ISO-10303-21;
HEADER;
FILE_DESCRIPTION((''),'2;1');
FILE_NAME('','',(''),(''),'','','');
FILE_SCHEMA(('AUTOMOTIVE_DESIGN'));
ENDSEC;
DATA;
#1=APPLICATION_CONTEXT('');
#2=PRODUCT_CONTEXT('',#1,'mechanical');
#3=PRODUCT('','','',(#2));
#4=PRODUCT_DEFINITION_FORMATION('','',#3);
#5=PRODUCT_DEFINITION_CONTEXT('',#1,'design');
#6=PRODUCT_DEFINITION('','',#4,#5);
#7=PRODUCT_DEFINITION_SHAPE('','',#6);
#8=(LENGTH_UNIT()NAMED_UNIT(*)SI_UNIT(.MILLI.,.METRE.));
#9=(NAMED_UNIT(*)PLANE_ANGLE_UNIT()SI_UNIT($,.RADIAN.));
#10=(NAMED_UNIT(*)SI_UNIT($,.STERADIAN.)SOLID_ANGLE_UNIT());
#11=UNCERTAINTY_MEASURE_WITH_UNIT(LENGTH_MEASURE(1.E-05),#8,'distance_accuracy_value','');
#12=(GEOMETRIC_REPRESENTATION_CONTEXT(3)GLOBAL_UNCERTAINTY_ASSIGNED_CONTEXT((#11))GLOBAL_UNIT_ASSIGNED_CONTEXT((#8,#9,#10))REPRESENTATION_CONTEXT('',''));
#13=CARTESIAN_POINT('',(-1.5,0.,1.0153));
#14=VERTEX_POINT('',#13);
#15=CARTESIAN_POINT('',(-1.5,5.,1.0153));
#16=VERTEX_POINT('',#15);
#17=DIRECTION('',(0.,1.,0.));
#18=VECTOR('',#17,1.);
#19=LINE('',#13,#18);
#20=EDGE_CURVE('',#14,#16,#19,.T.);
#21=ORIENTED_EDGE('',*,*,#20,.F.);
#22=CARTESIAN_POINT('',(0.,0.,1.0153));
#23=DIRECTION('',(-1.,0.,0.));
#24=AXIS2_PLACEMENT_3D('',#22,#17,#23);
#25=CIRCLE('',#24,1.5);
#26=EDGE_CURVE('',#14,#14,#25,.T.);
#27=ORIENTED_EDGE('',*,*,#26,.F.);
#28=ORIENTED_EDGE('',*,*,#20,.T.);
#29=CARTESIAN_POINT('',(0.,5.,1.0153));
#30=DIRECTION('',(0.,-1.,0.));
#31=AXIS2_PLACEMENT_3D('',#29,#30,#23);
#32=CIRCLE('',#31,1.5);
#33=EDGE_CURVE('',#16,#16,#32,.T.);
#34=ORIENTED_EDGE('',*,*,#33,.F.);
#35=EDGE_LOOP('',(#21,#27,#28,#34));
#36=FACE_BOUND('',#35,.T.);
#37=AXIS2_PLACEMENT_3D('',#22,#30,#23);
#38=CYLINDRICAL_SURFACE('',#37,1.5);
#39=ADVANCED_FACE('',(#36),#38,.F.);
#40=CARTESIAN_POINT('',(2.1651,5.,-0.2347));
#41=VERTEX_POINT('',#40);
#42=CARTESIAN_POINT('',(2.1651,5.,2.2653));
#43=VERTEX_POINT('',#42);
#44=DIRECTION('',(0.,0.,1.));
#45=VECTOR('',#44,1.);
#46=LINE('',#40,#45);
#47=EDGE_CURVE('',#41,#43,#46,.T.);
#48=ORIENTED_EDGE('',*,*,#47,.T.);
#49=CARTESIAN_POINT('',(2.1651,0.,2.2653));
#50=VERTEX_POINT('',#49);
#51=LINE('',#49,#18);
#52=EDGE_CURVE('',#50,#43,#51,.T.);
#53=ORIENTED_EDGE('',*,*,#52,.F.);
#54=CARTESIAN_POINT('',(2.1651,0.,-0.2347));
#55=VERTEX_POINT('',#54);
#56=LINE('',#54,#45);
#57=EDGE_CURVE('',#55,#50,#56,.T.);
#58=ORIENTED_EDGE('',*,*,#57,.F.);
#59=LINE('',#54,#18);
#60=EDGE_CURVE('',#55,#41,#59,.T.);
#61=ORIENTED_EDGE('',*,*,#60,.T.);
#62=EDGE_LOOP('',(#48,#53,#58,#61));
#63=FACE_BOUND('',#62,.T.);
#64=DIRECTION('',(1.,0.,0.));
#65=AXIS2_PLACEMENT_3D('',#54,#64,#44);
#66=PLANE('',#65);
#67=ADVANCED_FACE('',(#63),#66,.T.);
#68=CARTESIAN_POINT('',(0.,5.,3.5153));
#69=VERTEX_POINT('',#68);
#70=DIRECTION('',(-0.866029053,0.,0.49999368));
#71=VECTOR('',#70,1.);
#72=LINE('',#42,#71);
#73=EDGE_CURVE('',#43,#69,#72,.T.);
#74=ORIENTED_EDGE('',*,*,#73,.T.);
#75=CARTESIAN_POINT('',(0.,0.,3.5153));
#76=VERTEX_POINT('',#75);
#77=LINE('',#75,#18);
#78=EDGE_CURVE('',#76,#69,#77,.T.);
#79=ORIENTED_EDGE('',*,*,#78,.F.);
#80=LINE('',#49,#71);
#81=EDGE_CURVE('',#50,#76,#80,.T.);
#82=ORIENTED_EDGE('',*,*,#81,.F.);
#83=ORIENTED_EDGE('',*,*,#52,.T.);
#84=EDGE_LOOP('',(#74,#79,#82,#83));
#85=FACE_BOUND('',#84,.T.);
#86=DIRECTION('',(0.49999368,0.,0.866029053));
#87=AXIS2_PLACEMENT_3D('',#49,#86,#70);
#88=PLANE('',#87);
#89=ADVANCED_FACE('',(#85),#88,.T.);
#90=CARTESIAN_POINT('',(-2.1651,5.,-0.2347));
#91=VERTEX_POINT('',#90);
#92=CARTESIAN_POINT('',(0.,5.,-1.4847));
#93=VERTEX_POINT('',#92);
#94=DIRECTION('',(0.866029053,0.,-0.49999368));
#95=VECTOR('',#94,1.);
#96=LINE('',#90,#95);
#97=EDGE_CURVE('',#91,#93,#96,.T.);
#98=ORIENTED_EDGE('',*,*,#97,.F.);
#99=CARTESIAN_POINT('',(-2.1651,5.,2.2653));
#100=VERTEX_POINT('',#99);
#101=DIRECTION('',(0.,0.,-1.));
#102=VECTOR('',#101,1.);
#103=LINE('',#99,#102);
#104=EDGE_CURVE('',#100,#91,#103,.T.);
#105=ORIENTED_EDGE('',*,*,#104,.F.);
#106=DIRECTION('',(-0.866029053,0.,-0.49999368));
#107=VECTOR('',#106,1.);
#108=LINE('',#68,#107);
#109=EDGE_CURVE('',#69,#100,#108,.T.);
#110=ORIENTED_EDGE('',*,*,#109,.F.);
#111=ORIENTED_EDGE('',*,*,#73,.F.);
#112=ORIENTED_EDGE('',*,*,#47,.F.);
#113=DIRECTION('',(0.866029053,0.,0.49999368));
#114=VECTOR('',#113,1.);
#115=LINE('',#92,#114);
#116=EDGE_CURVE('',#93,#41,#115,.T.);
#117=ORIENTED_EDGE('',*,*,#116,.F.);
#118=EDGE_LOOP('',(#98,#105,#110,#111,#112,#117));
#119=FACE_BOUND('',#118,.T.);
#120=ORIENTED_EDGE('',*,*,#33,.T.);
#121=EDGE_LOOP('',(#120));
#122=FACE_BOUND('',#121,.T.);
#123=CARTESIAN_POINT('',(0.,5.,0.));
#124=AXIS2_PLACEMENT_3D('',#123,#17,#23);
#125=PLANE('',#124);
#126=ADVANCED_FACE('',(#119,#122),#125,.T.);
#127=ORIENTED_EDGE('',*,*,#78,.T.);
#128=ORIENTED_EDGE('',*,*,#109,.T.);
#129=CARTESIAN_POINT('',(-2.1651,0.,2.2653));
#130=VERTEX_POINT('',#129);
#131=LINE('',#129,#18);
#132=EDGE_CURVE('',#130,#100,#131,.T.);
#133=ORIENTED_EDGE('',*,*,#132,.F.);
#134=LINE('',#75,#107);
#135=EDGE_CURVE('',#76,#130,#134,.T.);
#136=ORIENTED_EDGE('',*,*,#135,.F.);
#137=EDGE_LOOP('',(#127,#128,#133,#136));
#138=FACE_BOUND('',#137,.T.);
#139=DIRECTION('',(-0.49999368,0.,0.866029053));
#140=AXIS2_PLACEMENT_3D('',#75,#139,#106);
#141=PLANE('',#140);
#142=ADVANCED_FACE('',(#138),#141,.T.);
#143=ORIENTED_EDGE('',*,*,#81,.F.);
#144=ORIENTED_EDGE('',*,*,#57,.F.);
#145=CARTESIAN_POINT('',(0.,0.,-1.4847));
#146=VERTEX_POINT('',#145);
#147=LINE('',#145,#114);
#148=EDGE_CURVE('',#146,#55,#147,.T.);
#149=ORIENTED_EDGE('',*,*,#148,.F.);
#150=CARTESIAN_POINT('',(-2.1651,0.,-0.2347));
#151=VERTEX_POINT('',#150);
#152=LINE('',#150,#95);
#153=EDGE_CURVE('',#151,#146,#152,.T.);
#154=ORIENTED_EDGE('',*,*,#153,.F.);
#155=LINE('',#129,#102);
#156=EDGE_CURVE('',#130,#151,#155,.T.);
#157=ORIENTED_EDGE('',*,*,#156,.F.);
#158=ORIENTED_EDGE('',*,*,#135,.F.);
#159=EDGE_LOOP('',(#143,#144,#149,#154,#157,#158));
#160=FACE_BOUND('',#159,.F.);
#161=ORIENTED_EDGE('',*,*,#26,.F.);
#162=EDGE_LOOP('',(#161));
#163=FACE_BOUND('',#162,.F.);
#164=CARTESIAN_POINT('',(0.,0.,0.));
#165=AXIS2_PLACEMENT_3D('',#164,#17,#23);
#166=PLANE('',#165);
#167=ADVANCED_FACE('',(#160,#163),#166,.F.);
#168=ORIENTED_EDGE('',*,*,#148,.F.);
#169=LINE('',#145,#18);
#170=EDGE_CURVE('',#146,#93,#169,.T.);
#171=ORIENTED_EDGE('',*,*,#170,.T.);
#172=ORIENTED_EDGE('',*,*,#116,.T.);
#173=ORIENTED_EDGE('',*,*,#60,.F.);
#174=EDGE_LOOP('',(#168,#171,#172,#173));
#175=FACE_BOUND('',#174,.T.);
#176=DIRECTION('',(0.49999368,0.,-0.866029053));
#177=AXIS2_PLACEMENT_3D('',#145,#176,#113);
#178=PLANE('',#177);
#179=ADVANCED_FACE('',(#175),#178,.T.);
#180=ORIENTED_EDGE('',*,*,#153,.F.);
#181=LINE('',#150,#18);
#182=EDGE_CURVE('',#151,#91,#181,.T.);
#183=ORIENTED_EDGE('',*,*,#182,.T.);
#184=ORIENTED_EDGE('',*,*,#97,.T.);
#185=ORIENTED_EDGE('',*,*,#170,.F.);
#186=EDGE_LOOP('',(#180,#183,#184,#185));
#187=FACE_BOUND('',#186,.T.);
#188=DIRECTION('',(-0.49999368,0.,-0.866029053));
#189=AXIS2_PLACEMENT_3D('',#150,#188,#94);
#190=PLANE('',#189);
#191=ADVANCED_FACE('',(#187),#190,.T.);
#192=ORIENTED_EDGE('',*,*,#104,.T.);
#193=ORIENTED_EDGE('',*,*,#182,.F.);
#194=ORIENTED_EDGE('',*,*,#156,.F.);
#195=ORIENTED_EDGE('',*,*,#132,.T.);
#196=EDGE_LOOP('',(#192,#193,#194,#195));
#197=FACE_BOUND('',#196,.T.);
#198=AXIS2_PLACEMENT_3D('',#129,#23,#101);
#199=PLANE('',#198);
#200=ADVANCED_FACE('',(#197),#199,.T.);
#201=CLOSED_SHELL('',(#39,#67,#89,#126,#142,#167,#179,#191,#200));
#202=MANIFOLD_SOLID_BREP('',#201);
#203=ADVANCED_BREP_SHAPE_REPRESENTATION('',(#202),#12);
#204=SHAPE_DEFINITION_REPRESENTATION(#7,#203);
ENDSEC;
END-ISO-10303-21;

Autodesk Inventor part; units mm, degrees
ref_plane "YZ Plane" through (0, 0, 0) normal (1, 0, 0) x (0, 1, 0)
ref_plane "XZ Plane" through (0, 0, 0) normal (0, 1, 0) x (-1, 0, 0)
ref_plane "XY Plane" through (0, 0, 0) normal (0, 0, 1) x (1, 0, 0)
sketch "Эскиз1" plane through (0, 0, 0) normal (0, 1, 0) x (-1, 0, 0)
  line L0 (0, 3.5153) -> (0, -1.4847)
  line L1 (0, -1.4847) -> (-2.1651, -0.2347)
  line L2 (-2.1651, -0.2347) -> (-2.1651, 2.2653)
  line L3 (-2.1651, 2.2653) -> (0, 3.5153)
  line L4 (0, 3.5153) -> (2.1651, 2.2653)
  line L5 (2.1651, 2.2653) -> (2.1651, -0.2347)
  line L6 (2.1651, -0.2347) -> (0, -1.4847)
  circle A0 centre (0, 1.0153) radius 1.5
  point P0 (0, 0)
  dimension "d0" = 5
  dimension "d1" = 3
extrude "Выдавливание1" add sketch "Эскиз1" along normal blind 5 contours L4 L5 L6 L0 A0 | L0 A0 L1 L2 L3
thread "Резьба1" size "M3x0.5" class "6H" standard "ANSI Metric M Profile" full length
properties part number "rack_05"
